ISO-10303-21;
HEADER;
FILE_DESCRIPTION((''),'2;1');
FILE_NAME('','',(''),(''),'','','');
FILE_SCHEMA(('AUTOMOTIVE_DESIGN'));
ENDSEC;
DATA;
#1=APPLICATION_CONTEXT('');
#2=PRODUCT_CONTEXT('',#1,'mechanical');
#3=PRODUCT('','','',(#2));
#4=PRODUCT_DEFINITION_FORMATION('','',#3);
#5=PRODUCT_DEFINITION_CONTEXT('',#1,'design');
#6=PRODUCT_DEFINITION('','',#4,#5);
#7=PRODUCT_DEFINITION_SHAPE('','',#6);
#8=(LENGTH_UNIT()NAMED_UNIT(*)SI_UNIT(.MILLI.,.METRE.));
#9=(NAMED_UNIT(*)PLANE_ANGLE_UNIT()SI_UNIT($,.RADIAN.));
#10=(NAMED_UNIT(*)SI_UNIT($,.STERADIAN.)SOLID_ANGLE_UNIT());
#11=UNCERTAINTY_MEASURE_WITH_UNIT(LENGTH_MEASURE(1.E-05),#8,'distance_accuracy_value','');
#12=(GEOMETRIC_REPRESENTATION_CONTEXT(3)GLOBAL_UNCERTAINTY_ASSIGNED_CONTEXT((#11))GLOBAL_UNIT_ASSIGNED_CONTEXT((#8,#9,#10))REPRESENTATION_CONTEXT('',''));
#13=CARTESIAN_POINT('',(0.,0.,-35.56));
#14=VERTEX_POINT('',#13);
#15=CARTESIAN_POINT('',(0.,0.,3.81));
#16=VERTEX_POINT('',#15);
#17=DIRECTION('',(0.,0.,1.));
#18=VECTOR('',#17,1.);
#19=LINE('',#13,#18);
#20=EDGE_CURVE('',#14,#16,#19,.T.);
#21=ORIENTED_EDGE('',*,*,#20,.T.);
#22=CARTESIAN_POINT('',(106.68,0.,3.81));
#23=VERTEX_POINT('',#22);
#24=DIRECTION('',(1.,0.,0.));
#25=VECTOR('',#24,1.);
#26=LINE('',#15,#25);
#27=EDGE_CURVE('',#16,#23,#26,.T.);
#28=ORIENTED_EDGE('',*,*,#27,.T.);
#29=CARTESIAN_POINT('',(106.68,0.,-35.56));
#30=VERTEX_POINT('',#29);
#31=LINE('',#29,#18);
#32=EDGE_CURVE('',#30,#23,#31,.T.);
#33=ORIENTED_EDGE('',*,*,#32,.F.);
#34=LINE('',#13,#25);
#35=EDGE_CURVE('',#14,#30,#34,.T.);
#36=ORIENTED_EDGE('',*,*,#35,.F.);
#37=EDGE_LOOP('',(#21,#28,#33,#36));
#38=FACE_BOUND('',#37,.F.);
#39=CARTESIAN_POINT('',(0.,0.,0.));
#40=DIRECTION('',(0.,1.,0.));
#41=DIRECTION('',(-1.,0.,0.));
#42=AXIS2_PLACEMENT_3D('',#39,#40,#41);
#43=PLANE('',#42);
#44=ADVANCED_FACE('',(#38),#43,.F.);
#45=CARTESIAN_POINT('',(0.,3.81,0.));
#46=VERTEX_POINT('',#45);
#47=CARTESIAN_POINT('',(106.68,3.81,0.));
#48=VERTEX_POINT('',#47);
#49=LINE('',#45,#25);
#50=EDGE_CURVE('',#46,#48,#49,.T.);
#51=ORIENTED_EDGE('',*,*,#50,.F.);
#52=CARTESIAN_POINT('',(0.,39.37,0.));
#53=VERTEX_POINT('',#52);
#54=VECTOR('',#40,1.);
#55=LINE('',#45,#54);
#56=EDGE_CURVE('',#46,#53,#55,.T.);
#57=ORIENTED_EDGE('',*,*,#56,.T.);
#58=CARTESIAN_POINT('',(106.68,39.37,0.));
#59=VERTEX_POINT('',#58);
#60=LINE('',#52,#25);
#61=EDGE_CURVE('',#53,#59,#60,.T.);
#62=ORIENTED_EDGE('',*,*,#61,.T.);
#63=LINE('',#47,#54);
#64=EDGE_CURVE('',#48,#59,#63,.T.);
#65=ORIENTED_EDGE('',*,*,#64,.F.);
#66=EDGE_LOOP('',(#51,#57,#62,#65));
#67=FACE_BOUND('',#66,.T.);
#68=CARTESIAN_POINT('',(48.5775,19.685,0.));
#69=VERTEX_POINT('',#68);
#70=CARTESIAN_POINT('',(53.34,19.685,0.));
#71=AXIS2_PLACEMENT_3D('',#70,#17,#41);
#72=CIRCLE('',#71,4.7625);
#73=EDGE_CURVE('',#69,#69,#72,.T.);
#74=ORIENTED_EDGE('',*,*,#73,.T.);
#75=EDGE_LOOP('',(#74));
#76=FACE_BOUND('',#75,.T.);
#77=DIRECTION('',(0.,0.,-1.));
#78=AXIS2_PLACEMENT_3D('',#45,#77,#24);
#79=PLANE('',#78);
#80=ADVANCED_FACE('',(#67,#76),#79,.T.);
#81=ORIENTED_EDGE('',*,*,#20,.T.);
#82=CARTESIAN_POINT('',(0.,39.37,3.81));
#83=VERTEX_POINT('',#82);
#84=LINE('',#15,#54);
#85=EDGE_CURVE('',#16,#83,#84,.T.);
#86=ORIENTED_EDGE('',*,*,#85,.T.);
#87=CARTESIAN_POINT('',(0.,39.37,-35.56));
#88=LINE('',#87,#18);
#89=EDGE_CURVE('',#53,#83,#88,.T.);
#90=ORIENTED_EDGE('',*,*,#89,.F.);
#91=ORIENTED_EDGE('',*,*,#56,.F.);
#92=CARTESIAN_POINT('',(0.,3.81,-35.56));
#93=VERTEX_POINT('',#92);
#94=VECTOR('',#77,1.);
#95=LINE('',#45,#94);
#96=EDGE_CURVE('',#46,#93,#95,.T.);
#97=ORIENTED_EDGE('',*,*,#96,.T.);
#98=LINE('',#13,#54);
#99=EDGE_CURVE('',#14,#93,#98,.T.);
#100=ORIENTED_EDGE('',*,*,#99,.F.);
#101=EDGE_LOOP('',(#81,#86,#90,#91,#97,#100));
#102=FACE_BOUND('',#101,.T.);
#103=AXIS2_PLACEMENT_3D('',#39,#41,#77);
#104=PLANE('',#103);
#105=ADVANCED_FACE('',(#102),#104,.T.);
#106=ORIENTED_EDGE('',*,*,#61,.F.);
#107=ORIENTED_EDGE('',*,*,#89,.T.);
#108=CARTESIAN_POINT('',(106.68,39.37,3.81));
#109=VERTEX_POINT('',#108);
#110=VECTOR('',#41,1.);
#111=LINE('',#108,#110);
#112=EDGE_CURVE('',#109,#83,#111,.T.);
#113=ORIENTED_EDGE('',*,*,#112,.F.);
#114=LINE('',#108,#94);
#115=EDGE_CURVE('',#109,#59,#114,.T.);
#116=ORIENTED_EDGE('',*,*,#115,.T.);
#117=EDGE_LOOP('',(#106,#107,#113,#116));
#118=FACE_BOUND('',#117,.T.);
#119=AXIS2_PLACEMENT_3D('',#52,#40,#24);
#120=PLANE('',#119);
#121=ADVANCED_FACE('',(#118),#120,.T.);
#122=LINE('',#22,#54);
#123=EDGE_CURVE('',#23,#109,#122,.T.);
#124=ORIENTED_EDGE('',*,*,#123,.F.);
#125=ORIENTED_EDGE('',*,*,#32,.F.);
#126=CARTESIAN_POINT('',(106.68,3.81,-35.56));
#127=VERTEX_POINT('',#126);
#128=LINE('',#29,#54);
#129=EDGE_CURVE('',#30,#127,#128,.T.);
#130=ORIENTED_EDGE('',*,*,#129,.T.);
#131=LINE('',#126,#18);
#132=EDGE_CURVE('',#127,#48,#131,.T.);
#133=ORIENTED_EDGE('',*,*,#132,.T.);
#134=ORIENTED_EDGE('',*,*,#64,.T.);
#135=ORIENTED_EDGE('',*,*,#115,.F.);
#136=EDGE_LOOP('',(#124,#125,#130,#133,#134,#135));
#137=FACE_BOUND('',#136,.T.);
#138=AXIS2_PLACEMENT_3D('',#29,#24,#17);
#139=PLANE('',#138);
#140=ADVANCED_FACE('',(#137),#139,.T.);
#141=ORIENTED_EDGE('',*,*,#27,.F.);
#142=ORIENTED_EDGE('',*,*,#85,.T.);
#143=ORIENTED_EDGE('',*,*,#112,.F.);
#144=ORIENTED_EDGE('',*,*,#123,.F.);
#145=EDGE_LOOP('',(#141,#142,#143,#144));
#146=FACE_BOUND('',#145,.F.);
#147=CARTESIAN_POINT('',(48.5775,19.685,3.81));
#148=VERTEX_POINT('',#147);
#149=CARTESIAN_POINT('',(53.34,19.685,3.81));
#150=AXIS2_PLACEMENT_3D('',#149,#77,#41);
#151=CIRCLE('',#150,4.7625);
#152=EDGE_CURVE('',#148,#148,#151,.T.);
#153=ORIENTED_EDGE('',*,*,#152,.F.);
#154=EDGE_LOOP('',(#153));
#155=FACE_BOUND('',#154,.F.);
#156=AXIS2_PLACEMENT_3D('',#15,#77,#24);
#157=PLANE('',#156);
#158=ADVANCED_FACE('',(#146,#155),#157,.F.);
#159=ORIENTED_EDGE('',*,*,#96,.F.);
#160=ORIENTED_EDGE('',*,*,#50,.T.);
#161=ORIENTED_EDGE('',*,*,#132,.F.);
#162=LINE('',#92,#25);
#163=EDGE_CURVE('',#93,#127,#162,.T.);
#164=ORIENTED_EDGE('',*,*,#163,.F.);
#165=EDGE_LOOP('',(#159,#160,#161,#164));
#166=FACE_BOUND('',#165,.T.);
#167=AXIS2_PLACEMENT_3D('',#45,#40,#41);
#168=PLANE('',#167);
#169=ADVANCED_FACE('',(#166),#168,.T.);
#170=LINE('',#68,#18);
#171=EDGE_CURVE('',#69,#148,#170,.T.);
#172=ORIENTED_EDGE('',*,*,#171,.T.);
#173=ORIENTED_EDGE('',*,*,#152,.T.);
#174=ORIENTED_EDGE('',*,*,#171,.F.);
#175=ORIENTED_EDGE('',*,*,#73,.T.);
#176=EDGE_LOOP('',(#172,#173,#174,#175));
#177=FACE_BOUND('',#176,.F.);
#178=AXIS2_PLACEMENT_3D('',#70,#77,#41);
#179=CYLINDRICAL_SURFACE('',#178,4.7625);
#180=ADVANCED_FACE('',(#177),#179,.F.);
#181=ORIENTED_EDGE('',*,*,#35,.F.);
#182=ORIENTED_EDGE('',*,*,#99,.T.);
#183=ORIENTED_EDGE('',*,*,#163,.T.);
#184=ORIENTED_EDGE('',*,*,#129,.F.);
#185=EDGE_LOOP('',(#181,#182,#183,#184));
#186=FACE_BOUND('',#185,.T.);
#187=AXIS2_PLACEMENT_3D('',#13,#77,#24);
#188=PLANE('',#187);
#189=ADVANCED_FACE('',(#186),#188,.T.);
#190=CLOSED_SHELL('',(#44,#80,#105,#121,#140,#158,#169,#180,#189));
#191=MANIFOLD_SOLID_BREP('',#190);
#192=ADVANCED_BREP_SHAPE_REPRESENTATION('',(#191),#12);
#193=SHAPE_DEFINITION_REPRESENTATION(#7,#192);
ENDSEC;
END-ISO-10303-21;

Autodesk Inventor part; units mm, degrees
ref_plane "YZ Plane" through (0, 0, 0) normal (1, 0, 0) x (0, 1, 0)
ref_plane "XZ Plane" through (0, 0, 0) normal (0, 1, 0) x (-1, 0, 0)
ref_plane "XY Plane" through (0, 0, 0) normal (0, 0, 1) x (1, 0, 0)
sketch "Sketch1" plane through (0, 0, 0) normal (0, 1, 0) x (-1, 0, 0)
  line L0 (0, 0) -> (0, -35.56)
  line L1 (0, -35.56) -> (-106.68, -35.56)
  line L2 (-106.68, -35.56) -> (-106.68, 0)
  line L3 (0, 0) -> (0, 3.81)
  line L4 (0, 3.81) -> (-106.68, 3.81)
  line L5 (-106.68, 3.81) -> (-106.68, 0)
  dimension "d0" = 35.56
  dimension "d1" = 106.68
  dimension "d2" = 3.81
extrude "Extrusion1" add sketch "Sketch1" along normal blind 3.81
sketch "Sketch2" plane through (0, 3.81, 0) normal (0, 1, 0) x (1, 0, 0)
  line L0 (0, 35.56) -> (0, -3.81) projected
  line L1 (0, -3.81) -> (0, 0)
  line L2 (0, 0) -> (106.68, 0)
  line L3 (106.68, -3.81) -> (106.68, 35.56) projected
  line L4 (106.68, -3.81) -> (0, -3.81)
extrude "Extrusion2" add sketch "Sketch2" along normal blind 35.56
sketch "Sketch3" plane through (106.68, 3.81, 0) normal (0, 0, -1) x (-1, 0, 0)
  line L0 (106.68, -3.81) -> (106.68, 35.56) projected
  line L1 (106.68, 15.875) -> (0, 15.875)
  line L2 (0, -3.81) -> (0, 35.56) projected
  circle A0 centre (53.34, 15.875) radius 4.7625
  dimension "d10" = 9.525
extrude "Extrusion3" cut sketch "Sketch3" against normal blind 17.4625
properties part number "Flywheel top lift wheel bracket" material "Steel, Alloy"
